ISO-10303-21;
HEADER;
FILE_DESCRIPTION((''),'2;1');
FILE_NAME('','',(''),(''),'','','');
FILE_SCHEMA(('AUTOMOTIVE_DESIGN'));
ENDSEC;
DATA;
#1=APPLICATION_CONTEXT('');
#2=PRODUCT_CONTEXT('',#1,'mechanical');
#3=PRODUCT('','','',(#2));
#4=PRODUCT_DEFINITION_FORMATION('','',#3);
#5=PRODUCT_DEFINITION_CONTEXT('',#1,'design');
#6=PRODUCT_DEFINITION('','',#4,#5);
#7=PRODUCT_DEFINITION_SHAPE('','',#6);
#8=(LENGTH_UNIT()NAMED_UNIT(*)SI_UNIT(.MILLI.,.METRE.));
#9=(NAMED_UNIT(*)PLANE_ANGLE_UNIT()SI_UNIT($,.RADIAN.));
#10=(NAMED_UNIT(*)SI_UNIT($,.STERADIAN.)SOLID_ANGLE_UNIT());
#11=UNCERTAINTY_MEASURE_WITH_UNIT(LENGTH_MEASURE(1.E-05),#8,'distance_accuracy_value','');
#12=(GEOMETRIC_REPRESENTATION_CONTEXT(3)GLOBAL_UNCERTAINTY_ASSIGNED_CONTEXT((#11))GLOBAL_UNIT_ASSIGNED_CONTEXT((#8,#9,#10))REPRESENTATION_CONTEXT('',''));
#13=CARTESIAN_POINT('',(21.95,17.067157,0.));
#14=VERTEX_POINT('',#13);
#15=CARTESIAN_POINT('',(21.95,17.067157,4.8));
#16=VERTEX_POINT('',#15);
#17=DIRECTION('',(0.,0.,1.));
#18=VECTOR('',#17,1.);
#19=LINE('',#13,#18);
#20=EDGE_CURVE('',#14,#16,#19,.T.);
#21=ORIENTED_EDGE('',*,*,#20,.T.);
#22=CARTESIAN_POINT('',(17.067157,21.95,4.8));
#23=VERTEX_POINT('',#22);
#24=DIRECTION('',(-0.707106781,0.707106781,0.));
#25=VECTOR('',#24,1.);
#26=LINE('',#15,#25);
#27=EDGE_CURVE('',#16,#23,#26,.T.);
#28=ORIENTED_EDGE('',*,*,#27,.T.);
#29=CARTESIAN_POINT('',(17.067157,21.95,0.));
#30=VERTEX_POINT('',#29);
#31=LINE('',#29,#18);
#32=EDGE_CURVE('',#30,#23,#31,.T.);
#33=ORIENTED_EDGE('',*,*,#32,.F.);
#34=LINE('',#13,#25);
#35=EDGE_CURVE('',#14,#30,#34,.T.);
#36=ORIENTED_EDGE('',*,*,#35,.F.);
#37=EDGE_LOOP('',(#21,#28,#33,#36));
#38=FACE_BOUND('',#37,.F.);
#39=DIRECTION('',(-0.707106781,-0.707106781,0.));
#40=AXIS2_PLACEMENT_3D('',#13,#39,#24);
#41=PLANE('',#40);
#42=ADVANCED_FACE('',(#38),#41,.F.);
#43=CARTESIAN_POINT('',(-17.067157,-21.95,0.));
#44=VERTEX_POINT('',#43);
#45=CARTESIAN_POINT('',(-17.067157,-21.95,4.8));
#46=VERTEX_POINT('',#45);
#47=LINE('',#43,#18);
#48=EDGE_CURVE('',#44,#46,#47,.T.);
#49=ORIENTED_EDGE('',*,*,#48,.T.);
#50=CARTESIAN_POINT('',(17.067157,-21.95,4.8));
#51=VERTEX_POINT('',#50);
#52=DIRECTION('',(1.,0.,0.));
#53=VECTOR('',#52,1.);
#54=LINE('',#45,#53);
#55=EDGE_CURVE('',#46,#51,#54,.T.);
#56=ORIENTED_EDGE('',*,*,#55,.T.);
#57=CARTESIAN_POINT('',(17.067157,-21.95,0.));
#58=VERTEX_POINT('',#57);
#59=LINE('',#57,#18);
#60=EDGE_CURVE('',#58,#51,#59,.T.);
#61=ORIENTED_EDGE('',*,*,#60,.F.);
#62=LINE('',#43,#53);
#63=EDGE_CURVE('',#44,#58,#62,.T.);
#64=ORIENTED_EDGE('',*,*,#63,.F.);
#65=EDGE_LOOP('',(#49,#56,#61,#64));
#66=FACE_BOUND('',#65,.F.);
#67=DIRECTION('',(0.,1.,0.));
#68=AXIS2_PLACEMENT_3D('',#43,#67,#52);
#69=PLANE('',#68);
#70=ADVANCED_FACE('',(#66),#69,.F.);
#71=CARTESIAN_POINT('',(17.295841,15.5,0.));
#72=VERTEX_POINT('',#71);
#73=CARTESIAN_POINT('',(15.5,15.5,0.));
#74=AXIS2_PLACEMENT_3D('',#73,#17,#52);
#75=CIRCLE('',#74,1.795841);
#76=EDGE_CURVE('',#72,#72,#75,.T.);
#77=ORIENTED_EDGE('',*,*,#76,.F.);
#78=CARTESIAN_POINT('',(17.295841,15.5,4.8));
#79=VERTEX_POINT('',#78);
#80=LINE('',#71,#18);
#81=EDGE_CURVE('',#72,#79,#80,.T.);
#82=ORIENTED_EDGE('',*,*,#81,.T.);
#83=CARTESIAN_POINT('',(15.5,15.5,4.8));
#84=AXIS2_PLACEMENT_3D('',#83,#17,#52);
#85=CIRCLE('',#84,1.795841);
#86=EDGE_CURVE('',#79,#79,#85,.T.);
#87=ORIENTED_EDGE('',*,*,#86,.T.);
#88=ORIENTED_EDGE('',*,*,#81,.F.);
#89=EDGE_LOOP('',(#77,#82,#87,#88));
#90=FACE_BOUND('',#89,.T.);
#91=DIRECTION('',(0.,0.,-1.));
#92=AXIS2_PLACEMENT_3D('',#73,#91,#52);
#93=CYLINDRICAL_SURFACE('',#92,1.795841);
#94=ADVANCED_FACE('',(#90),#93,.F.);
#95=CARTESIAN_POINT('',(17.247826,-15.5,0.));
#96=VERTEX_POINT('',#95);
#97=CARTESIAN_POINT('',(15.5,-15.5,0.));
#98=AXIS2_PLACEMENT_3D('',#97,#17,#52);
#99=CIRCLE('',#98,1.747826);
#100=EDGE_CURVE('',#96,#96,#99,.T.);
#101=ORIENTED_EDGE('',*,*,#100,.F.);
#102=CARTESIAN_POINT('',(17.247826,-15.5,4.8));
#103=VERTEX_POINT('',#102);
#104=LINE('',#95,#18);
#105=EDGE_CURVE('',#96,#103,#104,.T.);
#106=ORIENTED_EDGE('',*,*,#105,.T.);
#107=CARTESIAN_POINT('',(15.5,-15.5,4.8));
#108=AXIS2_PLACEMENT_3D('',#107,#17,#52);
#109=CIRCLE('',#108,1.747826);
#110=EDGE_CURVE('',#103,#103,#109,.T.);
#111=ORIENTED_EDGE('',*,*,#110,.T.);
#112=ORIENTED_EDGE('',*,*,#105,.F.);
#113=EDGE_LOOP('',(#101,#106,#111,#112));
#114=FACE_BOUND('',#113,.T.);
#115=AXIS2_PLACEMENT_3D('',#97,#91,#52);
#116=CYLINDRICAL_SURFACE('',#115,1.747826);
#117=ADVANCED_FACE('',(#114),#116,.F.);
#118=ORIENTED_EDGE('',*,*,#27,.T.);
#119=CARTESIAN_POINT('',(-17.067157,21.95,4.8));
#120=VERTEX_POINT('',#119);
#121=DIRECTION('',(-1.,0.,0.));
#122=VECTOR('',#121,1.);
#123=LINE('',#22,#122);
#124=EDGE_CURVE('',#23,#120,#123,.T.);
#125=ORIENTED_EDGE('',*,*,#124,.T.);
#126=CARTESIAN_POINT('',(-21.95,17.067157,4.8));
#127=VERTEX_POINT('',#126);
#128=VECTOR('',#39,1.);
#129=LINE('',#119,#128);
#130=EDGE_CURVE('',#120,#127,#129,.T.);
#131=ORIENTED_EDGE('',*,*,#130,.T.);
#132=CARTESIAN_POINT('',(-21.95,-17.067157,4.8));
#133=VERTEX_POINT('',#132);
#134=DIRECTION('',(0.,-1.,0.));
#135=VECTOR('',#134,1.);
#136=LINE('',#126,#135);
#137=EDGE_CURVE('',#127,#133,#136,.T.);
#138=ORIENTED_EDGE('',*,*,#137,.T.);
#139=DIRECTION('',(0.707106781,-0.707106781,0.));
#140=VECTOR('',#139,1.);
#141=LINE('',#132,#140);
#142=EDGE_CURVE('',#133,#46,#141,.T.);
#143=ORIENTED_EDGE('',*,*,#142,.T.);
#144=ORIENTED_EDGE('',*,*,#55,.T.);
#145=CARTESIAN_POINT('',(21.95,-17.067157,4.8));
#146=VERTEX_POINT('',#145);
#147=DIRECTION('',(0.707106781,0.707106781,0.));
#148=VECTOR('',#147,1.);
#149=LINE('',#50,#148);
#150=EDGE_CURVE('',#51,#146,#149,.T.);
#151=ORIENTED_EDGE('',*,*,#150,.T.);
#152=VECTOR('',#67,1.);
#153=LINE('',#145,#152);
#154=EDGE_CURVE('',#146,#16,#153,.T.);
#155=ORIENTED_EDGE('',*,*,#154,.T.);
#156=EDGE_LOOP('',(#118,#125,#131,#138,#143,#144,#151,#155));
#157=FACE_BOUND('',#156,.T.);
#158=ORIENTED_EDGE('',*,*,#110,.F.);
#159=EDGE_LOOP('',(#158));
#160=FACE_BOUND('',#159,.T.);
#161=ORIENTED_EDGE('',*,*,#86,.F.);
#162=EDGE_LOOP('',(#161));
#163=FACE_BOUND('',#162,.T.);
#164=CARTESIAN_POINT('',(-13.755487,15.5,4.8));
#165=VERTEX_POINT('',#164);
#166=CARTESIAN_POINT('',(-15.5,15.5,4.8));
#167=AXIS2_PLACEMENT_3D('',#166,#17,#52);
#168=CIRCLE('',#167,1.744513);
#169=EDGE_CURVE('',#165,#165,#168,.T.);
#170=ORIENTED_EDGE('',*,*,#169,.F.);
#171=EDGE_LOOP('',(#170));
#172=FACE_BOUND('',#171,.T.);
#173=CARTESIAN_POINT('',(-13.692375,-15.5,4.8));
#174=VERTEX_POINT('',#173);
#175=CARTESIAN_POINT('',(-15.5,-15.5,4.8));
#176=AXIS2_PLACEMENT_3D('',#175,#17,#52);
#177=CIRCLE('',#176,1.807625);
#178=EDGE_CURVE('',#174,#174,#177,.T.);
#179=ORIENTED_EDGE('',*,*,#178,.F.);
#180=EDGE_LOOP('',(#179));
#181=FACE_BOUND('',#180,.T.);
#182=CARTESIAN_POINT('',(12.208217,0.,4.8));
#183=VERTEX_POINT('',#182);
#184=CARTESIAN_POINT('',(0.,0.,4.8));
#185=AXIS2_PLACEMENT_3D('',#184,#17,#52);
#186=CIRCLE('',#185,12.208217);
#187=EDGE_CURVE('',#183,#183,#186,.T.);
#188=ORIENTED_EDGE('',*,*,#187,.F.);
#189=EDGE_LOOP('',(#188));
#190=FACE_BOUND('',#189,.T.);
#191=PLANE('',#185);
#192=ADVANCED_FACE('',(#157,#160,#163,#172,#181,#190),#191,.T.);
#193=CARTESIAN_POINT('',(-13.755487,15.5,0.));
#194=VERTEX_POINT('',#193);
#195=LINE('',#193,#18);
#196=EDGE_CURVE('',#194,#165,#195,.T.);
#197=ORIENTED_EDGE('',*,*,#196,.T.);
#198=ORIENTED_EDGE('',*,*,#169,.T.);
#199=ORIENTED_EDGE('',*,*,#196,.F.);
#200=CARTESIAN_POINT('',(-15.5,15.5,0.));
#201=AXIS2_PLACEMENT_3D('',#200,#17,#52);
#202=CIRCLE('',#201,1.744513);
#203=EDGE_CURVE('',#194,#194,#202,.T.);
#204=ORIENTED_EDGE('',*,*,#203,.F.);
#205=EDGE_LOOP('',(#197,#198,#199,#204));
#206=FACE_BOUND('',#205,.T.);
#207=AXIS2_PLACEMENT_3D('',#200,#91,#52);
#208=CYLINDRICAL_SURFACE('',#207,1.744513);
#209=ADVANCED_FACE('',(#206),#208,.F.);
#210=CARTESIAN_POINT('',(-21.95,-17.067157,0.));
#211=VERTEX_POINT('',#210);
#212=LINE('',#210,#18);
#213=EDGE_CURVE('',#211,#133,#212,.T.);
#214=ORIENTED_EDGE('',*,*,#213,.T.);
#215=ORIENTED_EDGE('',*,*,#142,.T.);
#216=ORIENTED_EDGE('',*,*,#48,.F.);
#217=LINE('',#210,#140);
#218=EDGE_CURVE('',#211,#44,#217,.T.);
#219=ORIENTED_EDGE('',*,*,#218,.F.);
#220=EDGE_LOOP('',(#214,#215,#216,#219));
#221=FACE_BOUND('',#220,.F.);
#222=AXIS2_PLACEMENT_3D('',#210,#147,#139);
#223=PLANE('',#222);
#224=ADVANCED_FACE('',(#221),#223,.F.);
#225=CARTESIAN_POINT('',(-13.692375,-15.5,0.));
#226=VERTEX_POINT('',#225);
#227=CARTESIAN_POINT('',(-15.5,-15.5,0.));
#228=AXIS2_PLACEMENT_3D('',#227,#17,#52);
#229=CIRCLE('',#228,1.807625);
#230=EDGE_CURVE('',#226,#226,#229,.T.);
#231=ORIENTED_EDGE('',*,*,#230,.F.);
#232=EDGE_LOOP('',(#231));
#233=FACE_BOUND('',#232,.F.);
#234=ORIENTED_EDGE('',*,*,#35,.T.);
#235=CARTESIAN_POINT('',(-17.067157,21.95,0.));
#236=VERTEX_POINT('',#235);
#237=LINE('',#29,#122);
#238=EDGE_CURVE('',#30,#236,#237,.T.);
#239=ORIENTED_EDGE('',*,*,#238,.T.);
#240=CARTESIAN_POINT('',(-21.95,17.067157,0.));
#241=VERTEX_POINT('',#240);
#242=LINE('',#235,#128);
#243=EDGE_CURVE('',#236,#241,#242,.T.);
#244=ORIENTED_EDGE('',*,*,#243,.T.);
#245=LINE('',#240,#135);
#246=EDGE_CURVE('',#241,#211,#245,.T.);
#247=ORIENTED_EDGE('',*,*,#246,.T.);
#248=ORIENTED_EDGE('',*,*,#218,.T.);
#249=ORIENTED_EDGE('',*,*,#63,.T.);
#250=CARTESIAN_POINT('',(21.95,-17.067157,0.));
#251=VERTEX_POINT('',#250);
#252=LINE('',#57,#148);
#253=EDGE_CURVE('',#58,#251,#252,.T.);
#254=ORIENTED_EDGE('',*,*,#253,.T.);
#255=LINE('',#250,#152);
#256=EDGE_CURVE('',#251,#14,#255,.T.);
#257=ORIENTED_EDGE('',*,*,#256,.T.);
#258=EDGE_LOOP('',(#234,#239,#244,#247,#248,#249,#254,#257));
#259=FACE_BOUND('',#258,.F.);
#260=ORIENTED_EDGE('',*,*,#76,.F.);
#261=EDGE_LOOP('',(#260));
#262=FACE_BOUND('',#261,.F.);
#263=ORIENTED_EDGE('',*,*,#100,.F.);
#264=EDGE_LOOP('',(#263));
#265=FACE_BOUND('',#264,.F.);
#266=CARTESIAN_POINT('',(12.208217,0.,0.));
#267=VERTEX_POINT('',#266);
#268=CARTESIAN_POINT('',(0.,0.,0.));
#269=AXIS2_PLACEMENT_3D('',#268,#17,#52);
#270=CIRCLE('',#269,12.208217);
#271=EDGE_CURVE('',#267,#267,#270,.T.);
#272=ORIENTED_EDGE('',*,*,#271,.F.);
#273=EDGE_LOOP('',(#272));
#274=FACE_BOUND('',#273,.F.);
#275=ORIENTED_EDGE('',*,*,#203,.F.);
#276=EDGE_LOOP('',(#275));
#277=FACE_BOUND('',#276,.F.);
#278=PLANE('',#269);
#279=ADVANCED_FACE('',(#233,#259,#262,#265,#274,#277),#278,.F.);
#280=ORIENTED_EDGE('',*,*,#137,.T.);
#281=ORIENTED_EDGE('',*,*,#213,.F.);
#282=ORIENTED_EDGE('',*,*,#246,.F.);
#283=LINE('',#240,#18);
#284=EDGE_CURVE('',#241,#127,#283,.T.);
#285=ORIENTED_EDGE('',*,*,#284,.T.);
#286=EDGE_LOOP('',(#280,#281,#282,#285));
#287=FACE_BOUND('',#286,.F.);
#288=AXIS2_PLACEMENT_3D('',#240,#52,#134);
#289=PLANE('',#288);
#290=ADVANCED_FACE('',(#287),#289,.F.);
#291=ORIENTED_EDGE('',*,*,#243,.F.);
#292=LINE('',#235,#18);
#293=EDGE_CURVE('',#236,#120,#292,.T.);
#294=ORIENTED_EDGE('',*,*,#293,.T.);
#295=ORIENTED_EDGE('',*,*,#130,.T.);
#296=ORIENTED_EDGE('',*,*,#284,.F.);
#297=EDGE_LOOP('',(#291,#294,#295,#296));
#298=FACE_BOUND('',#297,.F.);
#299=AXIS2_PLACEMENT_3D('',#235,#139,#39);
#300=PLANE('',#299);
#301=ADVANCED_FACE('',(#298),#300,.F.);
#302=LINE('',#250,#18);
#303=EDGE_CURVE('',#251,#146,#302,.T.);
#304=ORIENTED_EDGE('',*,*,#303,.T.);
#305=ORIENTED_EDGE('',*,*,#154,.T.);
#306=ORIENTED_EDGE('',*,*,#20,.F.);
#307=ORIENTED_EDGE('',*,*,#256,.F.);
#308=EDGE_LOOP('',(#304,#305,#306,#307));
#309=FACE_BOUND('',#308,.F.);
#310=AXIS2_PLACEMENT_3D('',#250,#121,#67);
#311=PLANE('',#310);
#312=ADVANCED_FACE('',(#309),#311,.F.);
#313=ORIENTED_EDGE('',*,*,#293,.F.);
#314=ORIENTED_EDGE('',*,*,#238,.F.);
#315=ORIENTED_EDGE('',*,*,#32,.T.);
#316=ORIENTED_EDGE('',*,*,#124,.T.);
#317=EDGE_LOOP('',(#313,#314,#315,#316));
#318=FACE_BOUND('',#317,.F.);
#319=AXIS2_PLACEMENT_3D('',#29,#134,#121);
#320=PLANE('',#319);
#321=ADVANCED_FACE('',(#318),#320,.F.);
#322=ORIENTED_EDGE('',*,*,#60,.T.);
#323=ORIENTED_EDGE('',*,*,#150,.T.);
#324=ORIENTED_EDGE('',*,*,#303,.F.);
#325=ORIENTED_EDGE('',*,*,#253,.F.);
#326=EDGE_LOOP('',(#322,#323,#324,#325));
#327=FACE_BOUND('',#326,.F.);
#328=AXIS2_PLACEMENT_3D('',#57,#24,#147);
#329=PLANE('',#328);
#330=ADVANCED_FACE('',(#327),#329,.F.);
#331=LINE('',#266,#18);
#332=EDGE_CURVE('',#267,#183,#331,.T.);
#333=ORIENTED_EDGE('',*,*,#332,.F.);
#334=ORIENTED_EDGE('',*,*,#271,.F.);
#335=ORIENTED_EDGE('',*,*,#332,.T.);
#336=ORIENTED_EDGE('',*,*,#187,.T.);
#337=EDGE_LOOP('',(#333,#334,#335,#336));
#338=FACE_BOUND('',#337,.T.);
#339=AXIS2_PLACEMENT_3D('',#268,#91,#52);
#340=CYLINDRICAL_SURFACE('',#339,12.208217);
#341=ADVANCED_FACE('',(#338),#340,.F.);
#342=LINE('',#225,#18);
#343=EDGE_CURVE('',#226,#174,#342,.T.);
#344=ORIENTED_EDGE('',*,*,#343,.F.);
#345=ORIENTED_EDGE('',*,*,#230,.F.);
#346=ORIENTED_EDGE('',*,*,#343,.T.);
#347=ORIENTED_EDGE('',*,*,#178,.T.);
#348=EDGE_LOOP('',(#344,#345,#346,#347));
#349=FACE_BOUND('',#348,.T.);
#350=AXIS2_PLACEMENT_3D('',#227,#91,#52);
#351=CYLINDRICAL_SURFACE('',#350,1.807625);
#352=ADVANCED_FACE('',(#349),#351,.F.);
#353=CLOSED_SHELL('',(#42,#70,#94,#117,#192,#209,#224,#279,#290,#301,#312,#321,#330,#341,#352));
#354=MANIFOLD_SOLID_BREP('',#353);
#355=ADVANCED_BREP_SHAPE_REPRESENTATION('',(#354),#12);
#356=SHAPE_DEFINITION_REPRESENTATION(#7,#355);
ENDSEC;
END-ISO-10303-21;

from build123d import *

# Parameters (mm, degrees)
F0_R     = 1.807625
F0_R_2   = 1.747826
F0_R_3   = 1.744513
F0_R_4   = 12.208217
F0_R_5   = 1.795841
F1_DEPTH = 4.8


with BuildPart() as f1:
    # F0 (on Top) → F1 (new body)
    with BuildSketch(Plane.XY):
        Polygon((21.95, -17.067157), (21.95, 17.067157), (17.067157, 21.95), (-17.067157, 21.95), (-21.95, 17.067157), (-21.95, -17.067157), (-17.067157, -21.95), (17.067157, -21.95), align=None)
        with Locations((-15.5, -15.5)):
            Circle(F0_R, mode=Mode.SUBTRACT)
        with Locations((15.5, -15.5)):
            Circle(F0_R_2, mode=Mode.SUBTRACT)
        with Locations((-15.5, 15.5)):
            Circle(F0_R_3, mode=Mode.SUBTRACT)
        Circle(F0_R_4, mode=Mode.SUBTRACT)
        with Locations((15.5, 15.5)):
            Circle(F0_R_5, mode=Mode.SUBTRACT)
    extrude(amount=F1_DEPTH)


solid = f1.part
